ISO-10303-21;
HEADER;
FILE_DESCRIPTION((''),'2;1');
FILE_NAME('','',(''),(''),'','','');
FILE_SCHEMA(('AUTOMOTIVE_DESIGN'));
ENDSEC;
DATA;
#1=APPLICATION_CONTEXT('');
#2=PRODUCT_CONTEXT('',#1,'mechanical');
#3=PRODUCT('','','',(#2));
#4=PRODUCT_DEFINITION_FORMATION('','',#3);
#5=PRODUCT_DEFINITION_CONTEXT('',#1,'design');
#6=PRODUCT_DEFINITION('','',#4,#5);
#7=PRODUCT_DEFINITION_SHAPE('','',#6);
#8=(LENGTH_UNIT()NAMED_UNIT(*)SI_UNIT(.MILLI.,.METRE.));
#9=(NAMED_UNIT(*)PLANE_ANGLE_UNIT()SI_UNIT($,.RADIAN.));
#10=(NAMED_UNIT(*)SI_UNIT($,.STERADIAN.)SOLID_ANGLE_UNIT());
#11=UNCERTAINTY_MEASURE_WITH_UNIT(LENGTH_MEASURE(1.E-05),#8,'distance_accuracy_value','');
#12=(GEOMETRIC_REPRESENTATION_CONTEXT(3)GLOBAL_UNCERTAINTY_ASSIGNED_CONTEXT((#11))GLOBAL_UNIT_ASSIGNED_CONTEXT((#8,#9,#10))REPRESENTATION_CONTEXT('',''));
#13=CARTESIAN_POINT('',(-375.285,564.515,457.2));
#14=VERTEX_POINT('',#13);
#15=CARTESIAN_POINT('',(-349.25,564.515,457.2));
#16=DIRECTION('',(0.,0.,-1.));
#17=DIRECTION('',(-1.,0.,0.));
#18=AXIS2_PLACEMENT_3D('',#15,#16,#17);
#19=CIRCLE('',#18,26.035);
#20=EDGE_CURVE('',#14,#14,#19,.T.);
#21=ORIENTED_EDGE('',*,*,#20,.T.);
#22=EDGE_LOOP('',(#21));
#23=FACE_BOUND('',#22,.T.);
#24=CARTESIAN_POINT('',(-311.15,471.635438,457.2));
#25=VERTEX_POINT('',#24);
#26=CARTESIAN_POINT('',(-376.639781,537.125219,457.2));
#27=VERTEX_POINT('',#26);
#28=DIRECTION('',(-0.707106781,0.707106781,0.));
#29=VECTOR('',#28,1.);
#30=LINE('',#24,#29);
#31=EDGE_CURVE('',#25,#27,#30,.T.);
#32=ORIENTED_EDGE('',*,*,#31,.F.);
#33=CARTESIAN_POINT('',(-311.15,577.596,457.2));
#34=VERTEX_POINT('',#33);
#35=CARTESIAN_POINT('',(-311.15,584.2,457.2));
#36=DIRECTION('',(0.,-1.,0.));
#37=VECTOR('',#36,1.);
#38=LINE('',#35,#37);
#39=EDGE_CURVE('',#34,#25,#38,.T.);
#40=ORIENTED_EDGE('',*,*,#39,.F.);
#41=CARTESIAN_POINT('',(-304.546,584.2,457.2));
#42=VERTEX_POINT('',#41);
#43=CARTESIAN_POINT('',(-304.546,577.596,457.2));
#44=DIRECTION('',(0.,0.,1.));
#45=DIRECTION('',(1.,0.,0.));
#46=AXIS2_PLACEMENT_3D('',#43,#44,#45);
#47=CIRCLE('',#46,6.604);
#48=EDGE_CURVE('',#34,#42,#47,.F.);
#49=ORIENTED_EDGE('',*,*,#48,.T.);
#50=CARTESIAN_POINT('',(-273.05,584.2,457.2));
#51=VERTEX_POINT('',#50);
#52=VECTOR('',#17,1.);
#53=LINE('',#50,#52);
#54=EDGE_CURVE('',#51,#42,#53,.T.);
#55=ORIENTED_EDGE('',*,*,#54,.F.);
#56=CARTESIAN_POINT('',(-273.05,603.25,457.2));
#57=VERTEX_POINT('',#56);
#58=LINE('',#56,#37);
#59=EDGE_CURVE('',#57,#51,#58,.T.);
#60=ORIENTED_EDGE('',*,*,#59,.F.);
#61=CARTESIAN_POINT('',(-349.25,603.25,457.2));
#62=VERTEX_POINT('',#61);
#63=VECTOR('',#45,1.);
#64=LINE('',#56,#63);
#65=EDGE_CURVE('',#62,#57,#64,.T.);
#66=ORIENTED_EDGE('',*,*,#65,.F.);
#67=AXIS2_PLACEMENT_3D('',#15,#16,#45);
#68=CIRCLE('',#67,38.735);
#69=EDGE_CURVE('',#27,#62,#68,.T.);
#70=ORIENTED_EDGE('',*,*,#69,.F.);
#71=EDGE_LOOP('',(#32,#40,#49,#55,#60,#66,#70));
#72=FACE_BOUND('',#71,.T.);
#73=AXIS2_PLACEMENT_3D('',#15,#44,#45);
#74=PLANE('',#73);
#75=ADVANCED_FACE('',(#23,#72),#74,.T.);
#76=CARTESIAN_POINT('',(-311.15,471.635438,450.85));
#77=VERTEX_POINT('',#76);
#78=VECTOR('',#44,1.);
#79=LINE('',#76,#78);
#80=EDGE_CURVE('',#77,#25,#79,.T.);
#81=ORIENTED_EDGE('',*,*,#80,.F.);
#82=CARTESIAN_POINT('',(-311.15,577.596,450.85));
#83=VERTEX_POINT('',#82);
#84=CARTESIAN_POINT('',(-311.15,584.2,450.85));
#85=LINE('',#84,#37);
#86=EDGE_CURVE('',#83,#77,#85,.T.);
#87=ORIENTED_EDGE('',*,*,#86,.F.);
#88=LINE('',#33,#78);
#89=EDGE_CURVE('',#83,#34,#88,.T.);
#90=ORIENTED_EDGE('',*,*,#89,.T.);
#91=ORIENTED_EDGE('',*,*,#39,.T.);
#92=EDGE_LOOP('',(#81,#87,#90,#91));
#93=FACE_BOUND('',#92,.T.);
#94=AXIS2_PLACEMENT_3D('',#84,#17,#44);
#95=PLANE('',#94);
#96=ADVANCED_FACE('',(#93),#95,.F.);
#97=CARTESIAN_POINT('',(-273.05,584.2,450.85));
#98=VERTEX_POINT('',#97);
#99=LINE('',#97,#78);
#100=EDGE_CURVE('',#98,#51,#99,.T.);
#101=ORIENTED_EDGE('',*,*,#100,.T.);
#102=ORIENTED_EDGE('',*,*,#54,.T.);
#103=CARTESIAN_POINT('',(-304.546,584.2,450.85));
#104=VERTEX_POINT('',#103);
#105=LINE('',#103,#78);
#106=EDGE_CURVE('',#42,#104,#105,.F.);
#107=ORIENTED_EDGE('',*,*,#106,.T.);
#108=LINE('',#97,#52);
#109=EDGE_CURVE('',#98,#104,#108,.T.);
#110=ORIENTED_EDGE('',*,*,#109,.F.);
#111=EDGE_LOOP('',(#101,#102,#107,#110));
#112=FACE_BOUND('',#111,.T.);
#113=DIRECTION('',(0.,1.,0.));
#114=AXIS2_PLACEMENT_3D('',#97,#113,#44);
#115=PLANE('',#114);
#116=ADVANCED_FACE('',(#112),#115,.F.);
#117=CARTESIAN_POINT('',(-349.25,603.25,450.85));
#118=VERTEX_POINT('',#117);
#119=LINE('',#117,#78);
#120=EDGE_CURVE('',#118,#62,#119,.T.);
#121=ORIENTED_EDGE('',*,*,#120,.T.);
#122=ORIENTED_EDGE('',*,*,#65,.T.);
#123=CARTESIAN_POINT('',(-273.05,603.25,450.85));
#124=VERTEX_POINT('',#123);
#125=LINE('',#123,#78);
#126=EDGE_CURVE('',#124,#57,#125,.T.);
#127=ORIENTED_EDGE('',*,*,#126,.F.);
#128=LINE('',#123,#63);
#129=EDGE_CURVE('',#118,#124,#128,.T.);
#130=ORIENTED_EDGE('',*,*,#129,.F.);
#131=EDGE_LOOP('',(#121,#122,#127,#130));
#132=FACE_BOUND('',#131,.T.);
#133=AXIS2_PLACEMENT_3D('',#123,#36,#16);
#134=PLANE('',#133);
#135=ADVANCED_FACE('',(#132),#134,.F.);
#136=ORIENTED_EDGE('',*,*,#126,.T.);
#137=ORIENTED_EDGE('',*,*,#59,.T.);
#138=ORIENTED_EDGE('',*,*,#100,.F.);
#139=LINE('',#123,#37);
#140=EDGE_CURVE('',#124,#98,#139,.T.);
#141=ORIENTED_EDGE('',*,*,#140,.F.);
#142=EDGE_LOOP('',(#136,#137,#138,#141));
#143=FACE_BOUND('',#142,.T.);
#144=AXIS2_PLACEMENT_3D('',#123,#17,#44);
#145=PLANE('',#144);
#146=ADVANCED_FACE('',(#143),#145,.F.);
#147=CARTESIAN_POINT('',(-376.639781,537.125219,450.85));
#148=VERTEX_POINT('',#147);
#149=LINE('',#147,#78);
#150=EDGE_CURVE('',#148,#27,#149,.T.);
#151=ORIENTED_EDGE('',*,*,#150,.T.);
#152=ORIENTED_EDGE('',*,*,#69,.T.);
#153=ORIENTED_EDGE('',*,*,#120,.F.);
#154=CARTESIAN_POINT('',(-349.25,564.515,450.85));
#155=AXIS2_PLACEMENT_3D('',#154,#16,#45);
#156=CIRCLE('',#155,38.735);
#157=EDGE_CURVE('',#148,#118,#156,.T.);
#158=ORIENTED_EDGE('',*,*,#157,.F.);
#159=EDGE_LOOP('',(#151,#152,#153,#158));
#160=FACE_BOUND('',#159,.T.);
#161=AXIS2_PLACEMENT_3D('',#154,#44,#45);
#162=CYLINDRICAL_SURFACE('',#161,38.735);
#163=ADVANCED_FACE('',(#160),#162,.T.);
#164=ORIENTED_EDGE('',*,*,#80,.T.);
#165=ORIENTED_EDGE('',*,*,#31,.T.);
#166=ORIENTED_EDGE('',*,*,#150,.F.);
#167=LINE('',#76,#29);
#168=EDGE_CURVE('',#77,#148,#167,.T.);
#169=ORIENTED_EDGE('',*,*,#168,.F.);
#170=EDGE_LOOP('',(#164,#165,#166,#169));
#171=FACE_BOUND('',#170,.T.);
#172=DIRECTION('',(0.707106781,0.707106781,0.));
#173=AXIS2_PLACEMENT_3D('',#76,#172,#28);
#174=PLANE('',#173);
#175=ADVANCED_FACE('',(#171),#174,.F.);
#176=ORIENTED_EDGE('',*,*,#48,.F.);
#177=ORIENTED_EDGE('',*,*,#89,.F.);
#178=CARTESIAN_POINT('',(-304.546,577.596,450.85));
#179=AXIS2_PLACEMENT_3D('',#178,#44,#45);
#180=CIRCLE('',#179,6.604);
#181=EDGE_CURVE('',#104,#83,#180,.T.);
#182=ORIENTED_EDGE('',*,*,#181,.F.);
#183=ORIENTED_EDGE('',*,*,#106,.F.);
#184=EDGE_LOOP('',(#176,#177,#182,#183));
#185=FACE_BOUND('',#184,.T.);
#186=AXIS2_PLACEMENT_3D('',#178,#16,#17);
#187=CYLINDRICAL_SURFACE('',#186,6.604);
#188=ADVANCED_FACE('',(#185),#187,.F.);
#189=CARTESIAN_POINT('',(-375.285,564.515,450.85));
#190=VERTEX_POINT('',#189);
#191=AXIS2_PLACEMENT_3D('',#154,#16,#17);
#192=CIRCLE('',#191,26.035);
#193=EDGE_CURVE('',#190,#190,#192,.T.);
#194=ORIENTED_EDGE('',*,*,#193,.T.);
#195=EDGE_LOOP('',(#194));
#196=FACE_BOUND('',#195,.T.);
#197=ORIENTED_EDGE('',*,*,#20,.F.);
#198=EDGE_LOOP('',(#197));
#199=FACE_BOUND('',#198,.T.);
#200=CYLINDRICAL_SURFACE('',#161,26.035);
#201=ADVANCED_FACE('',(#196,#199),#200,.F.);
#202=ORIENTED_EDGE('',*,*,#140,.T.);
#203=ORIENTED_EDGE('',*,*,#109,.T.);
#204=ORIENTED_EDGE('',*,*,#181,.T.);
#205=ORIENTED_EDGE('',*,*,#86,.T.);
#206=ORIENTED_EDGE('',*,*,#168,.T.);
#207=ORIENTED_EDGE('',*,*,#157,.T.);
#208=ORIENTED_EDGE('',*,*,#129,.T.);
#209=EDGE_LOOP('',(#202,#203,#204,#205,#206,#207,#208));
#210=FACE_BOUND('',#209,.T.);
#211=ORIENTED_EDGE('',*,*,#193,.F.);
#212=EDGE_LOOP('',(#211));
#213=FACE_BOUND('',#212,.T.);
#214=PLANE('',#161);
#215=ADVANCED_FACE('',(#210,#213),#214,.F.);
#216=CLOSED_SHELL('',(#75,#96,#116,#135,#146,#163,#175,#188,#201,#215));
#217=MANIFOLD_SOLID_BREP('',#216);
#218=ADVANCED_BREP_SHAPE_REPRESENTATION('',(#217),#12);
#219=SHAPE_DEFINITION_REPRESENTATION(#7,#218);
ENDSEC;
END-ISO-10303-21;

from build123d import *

# Parameters (mm, degrees)
SKETCH1_R           = 26.035
BOSS_EXTRUDE1_DEPTH = 6.35
FILLET1_R           = 6.604


with BuildPart() as part:
    # Sketch1 → Boss-Extrude1 (new body)
    with BuildSketch(Plane(origin=(0, 0, 457.2), x_dir=(-1, 0, 0), z_dir=(0, 0, -1))):
        with BuildLine():
            Line((273.05, 603.25), (273.05, 584.2))
            Line((273.05, 584.2), (311.15, 584.2))
            Line((311.15, 584.2), (311.15, 471.635437661))
            Line((311.15, 471.635437661), (376.639781169, 537.125218831))
            ThreePointArc((376.639781169, 537.125218831), (385.036473692, 579.338242753), (349.25, 603.25))
            Line((349.25, 603.25), (273.05, 603.25))
        make_face()
        with Locations((349.25, 564.515)):
            Circle(SKETCH1_R, mode=Mode.SUBTRACT)
    extrude(amount=BOSS_EXTRUDE1_DEPTH)

    # Fillet1
    fillet1_edges = [part.edges().sort_by_distance(p)[0] for p in [
        (-311.15, 584.2, 454.025),
    ]]
    fillet(fillet1_edges, radius=FILLET1_R)


solid = part.part
